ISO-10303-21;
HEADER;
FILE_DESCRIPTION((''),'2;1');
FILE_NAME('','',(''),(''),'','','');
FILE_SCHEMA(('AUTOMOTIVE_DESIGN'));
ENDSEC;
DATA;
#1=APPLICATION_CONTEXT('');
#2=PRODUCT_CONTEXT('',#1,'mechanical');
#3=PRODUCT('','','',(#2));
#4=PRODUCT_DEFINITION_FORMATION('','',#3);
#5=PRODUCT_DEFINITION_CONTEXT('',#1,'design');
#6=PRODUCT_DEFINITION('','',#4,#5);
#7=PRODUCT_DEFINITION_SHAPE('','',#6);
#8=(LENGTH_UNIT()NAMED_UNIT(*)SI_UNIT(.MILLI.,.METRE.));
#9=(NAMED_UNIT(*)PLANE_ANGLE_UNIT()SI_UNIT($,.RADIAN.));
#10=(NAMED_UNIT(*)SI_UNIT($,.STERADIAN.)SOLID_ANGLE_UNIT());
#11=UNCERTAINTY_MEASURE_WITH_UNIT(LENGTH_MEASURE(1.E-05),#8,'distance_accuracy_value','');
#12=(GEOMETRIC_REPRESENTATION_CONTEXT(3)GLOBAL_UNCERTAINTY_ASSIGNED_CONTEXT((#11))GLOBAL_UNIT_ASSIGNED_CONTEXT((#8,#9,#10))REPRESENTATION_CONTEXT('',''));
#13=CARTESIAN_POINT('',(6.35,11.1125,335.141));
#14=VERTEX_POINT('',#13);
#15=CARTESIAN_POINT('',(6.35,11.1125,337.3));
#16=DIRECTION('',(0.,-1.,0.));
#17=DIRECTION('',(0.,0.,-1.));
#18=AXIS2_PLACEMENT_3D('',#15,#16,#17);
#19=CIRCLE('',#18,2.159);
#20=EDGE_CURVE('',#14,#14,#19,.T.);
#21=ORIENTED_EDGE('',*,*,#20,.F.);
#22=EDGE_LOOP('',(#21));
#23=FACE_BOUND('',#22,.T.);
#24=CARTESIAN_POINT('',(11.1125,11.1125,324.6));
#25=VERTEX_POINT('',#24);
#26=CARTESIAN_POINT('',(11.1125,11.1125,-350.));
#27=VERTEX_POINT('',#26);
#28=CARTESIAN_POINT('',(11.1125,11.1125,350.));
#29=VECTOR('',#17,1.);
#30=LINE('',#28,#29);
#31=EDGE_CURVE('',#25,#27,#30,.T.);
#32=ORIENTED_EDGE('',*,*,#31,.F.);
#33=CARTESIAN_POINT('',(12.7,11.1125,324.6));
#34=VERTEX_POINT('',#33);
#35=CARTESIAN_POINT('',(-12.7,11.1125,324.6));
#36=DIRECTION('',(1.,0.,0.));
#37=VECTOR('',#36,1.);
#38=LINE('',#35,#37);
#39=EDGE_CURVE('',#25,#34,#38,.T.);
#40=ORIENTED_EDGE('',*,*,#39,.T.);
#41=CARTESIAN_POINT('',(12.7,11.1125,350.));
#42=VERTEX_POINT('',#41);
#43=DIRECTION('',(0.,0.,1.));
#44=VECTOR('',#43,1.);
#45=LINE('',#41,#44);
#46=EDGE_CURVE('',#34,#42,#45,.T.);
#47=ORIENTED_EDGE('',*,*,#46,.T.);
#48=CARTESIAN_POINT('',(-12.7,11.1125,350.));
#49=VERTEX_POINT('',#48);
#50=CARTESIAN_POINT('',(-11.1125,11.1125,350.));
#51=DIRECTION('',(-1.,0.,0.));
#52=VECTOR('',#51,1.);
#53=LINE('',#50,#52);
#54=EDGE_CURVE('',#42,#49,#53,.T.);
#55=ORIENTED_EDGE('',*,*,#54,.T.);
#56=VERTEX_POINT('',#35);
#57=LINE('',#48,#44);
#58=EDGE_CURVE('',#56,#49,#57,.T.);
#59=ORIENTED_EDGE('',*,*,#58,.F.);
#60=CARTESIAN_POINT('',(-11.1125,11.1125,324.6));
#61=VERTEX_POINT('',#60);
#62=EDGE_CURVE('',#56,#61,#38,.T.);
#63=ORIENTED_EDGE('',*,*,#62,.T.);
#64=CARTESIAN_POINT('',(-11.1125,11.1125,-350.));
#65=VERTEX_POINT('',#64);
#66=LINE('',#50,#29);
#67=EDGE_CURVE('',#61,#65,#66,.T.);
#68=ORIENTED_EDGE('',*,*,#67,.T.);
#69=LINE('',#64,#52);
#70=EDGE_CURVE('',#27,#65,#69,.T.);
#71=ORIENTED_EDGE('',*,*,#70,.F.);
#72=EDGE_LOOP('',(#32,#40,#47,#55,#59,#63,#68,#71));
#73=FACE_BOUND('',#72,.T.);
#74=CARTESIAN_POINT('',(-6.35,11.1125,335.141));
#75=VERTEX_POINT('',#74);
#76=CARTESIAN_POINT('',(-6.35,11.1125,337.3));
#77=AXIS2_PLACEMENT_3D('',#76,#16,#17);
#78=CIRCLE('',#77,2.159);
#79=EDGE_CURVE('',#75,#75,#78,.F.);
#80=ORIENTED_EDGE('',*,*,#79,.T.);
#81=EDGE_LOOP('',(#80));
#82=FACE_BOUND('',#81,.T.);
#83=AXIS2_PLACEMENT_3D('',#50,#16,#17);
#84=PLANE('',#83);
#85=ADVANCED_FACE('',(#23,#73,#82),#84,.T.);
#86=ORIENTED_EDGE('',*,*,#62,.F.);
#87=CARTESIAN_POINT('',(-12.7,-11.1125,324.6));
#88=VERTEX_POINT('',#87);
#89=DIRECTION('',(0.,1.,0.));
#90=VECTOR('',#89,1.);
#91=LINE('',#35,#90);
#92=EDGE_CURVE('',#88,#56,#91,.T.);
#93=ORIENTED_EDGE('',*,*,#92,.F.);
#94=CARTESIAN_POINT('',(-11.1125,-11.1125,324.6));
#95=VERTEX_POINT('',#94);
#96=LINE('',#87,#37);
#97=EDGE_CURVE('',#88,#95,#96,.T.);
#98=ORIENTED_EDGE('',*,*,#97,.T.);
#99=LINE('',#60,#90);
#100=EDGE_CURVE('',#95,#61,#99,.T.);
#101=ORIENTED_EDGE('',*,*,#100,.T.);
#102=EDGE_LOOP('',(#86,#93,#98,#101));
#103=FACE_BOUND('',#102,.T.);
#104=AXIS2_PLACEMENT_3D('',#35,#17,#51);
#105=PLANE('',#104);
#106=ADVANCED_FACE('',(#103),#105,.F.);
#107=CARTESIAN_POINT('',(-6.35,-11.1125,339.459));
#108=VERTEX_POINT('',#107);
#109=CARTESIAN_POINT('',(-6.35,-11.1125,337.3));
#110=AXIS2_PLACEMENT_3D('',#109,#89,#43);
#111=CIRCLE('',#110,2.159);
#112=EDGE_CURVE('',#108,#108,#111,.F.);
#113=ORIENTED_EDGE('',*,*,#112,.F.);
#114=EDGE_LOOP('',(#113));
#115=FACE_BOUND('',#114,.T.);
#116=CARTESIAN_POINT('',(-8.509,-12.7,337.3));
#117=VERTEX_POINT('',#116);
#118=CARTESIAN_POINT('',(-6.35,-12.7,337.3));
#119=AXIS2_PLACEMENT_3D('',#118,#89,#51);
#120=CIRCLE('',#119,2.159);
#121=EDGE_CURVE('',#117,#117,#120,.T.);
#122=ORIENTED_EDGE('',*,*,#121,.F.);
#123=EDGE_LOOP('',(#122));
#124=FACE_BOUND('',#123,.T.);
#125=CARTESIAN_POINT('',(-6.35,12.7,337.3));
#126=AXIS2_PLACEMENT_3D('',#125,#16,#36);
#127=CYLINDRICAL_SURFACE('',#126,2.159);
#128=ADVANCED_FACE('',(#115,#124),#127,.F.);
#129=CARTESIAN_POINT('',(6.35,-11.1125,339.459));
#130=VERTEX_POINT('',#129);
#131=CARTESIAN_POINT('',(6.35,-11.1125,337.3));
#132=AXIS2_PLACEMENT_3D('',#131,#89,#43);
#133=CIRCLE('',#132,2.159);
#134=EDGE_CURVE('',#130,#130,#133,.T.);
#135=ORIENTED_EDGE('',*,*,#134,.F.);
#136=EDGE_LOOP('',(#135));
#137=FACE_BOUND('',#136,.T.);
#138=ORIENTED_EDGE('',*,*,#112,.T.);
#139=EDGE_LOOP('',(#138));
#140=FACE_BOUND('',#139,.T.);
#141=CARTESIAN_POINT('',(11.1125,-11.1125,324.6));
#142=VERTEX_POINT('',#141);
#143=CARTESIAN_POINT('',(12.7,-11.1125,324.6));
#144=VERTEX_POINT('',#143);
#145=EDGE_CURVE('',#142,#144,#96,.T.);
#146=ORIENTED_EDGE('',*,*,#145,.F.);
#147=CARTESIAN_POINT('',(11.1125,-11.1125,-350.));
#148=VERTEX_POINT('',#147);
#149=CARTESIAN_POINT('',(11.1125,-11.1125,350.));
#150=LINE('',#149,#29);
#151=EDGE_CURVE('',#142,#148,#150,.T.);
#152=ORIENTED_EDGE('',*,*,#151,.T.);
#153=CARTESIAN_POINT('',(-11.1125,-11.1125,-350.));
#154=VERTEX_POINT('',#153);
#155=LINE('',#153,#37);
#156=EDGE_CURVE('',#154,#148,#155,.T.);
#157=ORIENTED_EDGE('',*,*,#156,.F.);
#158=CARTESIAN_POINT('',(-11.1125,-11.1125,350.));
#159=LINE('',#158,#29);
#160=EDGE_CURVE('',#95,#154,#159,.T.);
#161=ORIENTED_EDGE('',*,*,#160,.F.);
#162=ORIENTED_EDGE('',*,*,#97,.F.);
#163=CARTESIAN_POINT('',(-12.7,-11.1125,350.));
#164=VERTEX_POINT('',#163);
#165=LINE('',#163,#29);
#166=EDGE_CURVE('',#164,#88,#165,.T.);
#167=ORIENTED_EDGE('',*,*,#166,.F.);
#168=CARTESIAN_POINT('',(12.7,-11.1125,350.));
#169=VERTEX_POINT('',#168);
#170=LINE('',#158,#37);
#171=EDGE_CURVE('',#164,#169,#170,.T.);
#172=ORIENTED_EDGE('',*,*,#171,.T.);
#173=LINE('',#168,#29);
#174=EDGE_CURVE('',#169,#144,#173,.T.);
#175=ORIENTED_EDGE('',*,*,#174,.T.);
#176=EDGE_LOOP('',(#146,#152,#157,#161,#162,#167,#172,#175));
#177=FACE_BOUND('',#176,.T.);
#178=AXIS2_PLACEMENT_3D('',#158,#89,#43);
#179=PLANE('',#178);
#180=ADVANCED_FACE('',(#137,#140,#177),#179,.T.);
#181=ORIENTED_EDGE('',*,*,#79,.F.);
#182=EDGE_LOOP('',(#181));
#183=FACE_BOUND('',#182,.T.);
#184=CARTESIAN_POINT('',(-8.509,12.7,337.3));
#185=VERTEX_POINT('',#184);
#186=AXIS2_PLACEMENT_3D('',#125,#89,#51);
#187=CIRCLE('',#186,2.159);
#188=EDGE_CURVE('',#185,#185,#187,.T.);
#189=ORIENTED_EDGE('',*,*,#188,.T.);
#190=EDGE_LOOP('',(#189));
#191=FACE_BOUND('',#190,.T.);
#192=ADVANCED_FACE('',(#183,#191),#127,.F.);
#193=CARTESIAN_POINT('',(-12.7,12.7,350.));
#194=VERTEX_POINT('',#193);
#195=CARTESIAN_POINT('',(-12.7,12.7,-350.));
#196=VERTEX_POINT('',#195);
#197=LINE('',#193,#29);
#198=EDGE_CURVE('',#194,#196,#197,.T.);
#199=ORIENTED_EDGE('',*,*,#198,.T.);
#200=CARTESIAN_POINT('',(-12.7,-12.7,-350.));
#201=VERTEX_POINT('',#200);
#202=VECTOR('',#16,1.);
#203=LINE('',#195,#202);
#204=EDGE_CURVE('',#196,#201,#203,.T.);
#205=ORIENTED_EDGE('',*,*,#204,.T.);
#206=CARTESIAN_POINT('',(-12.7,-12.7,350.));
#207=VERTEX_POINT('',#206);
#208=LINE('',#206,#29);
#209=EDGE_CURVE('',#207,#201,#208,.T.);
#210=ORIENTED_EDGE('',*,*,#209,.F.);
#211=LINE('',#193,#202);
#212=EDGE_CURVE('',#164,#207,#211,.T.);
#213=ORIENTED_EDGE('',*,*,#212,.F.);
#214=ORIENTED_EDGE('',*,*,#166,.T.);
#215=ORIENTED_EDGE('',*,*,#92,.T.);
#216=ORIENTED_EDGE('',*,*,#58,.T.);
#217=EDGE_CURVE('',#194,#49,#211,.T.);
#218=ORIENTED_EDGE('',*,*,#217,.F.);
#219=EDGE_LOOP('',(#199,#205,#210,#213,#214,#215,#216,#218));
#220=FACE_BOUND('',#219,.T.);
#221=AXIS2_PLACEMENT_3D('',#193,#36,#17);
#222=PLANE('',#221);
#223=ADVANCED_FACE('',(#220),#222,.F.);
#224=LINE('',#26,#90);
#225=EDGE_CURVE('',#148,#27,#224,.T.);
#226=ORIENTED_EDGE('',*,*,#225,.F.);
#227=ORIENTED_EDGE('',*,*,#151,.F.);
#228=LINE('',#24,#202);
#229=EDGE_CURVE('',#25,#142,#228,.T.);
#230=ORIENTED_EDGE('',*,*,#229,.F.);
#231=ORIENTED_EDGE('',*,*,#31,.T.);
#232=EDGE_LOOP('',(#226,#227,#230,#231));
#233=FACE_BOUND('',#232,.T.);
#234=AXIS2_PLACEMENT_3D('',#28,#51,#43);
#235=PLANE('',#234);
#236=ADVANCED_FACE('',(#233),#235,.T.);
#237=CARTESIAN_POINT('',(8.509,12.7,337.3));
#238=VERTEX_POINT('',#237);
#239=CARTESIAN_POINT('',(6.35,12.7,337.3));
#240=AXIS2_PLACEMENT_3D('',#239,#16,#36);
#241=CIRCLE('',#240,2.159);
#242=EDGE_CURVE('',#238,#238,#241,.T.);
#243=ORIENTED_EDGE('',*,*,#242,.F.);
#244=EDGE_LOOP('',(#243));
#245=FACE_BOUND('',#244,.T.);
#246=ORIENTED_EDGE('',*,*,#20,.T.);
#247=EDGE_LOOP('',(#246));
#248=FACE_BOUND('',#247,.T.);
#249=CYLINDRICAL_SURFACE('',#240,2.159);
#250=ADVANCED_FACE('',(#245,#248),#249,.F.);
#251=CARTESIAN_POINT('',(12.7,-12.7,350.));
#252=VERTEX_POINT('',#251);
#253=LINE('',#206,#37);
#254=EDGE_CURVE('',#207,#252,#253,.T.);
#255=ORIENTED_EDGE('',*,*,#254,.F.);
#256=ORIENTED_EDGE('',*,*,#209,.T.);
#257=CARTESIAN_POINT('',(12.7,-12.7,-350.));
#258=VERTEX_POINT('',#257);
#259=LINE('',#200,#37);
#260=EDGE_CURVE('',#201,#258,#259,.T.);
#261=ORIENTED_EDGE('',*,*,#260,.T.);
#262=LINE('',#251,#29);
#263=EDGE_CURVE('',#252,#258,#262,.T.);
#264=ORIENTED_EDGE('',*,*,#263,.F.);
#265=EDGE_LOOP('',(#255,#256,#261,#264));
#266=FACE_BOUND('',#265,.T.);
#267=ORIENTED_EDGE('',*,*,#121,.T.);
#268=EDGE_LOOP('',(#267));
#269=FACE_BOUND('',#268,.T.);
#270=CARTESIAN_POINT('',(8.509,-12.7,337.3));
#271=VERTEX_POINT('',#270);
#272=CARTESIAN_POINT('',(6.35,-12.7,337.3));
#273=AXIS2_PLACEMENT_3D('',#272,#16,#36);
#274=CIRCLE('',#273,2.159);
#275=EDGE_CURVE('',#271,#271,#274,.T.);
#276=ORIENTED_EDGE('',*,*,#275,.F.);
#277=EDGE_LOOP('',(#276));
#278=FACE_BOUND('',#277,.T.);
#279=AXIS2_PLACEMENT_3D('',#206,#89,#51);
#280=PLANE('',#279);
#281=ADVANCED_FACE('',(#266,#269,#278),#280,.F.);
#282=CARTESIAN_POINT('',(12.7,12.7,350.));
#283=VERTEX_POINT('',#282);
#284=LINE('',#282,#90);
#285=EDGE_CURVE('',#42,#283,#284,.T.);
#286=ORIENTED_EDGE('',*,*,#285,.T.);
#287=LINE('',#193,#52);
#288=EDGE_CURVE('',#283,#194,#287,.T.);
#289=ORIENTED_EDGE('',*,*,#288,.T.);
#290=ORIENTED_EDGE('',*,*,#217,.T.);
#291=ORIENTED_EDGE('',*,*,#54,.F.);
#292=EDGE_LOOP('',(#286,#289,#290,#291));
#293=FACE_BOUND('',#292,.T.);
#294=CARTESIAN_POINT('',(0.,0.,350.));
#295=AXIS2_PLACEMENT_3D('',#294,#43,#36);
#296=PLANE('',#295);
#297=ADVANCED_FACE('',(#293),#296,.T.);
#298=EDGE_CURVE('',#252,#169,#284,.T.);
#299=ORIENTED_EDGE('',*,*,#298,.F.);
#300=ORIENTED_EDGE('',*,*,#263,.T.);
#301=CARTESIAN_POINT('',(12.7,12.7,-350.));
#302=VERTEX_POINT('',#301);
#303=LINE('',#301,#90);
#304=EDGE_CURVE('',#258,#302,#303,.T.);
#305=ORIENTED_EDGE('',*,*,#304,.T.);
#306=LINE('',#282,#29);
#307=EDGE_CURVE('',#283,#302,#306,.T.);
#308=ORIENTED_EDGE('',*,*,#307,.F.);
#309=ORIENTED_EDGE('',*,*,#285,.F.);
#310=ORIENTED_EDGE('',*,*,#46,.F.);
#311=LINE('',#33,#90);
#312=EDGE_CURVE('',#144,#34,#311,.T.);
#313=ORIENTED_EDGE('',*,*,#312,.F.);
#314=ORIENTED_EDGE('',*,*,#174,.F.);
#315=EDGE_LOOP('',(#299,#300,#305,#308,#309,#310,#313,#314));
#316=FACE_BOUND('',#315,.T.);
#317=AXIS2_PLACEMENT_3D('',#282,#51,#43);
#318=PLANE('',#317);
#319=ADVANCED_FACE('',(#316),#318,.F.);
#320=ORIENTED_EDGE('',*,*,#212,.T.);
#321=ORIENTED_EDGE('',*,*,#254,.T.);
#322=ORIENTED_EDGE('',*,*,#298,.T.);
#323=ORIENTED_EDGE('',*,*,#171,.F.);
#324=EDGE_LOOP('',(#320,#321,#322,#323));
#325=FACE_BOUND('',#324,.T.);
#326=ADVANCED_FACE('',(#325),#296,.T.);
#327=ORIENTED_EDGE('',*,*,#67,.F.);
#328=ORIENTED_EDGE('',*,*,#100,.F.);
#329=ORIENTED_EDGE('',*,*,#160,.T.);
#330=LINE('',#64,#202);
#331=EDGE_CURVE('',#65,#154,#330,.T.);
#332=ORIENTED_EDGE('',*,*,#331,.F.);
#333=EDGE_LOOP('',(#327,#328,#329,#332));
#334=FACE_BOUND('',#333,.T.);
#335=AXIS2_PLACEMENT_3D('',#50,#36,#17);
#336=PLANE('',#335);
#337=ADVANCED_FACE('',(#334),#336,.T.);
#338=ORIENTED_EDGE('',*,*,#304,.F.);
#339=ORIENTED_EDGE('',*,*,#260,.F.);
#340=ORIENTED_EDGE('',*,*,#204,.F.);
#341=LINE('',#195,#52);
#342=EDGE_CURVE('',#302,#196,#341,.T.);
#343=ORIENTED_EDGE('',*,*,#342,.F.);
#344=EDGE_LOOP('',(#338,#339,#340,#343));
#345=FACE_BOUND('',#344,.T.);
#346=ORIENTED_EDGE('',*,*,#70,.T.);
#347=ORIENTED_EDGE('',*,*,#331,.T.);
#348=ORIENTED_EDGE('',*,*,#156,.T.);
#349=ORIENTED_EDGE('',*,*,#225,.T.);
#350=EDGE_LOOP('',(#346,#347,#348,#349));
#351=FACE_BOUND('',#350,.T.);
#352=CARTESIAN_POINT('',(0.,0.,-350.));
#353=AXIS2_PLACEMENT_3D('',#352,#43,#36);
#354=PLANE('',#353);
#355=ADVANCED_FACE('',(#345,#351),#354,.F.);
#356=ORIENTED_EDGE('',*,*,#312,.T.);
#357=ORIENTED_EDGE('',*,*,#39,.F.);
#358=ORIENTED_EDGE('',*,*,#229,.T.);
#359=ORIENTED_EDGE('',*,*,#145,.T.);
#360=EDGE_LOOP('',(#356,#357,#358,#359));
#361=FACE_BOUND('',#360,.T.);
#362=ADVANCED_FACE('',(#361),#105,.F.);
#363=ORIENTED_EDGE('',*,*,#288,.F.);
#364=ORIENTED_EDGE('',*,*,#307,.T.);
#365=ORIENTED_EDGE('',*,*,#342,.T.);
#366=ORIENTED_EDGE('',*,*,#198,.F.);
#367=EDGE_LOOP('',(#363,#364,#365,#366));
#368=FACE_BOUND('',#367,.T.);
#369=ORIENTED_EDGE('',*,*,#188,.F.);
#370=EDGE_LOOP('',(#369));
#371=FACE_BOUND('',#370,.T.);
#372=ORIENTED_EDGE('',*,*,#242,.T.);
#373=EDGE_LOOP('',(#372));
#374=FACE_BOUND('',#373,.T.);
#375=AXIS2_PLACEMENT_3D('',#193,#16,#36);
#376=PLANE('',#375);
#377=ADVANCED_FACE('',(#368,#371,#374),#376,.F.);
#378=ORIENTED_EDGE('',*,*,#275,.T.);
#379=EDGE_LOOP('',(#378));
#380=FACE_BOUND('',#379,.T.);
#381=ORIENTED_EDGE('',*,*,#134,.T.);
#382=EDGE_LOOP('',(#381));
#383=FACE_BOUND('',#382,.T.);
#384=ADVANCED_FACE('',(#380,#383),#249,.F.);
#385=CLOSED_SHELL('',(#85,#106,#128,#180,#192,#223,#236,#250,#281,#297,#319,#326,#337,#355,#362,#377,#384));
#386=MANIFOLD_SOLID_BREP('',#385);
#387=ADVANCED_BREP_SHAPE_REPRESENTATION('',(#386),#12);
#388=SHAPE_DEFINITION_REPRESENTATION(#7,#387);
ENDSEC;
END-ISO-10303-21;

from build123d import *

# Parameters (mm, degrees)
ESQUISSE1_W             = 25.4
ESQUISSE1_H             = 25.4
ESQUISSE1_W_2           = 22.225
ESQUISSE1_H_2           = 22.225
BOSS_EXTRU_1_DEPTH      = 350
ESQUISSE2_R             = 2.159
ENL_V_MAT_EXTRU_1_DEPTH = 352.150181546
ESQUISSE3_W             = 25.4
ESQUISSE3_H             = 22.225
ENL_V_MAT_EXTRU_3_DEPTH = 352.150181546


with BuildPart() as part:
    # Esquisse1 → Boss.-Extru.1 (new, symmetric)
    with BuildSketch(Plane.XY):
        Rectangle(ESQUISSE1_W, ESQUISSE1_H)
        Rectangle(ESQUISSE1_W_2, ESQUISSE1_H_2, mode=Mode.SUBTRACT)
    extrude(amount=BOSS_EXTRU_1_DEPTH, both=True)

    # Esquisse2 → Enlèv. mat.-Extru.1 (cut, through all)
    with BuildSketch(Plane.XZ.offset(12.7)):
        with Locations((6.35, 337.3)):
            Circle(ESQUISSE2_R)
    enl_v_mat_extru_1 = extrude(amount=-ENL_V_MAT_EXTRU_1_DEPTH, mode=Mode.SUBTRACT)

    # Symétrie1: Enlèv. mat.-Extru.1 across plane
    add(enl_v_mat_extru_1.mirror(Plane(origin=(0, 0, 0), x_dir=(0, 0, 1), z_dir=(1, 0, 0))), mode=Mode.SUBTRACT)

    # Esquisse3 → Enlèv. mat.-Extru.3 (cut, through all)
    with BuildSketch(Plane(origin=(12.7, 0, 0), x_dir=(0, 0, -1), z_dir=(1, 0, 0))):
        with Locations((-337.3, 0)):
            Rectangle(ESQUISSE3_W, ESQUISSE3_H)
    extrude(amount=-ENL_V_MAT_EXTRU_3_DEPTH, mode=Mode.SUBTRACT)


solid = part.part
